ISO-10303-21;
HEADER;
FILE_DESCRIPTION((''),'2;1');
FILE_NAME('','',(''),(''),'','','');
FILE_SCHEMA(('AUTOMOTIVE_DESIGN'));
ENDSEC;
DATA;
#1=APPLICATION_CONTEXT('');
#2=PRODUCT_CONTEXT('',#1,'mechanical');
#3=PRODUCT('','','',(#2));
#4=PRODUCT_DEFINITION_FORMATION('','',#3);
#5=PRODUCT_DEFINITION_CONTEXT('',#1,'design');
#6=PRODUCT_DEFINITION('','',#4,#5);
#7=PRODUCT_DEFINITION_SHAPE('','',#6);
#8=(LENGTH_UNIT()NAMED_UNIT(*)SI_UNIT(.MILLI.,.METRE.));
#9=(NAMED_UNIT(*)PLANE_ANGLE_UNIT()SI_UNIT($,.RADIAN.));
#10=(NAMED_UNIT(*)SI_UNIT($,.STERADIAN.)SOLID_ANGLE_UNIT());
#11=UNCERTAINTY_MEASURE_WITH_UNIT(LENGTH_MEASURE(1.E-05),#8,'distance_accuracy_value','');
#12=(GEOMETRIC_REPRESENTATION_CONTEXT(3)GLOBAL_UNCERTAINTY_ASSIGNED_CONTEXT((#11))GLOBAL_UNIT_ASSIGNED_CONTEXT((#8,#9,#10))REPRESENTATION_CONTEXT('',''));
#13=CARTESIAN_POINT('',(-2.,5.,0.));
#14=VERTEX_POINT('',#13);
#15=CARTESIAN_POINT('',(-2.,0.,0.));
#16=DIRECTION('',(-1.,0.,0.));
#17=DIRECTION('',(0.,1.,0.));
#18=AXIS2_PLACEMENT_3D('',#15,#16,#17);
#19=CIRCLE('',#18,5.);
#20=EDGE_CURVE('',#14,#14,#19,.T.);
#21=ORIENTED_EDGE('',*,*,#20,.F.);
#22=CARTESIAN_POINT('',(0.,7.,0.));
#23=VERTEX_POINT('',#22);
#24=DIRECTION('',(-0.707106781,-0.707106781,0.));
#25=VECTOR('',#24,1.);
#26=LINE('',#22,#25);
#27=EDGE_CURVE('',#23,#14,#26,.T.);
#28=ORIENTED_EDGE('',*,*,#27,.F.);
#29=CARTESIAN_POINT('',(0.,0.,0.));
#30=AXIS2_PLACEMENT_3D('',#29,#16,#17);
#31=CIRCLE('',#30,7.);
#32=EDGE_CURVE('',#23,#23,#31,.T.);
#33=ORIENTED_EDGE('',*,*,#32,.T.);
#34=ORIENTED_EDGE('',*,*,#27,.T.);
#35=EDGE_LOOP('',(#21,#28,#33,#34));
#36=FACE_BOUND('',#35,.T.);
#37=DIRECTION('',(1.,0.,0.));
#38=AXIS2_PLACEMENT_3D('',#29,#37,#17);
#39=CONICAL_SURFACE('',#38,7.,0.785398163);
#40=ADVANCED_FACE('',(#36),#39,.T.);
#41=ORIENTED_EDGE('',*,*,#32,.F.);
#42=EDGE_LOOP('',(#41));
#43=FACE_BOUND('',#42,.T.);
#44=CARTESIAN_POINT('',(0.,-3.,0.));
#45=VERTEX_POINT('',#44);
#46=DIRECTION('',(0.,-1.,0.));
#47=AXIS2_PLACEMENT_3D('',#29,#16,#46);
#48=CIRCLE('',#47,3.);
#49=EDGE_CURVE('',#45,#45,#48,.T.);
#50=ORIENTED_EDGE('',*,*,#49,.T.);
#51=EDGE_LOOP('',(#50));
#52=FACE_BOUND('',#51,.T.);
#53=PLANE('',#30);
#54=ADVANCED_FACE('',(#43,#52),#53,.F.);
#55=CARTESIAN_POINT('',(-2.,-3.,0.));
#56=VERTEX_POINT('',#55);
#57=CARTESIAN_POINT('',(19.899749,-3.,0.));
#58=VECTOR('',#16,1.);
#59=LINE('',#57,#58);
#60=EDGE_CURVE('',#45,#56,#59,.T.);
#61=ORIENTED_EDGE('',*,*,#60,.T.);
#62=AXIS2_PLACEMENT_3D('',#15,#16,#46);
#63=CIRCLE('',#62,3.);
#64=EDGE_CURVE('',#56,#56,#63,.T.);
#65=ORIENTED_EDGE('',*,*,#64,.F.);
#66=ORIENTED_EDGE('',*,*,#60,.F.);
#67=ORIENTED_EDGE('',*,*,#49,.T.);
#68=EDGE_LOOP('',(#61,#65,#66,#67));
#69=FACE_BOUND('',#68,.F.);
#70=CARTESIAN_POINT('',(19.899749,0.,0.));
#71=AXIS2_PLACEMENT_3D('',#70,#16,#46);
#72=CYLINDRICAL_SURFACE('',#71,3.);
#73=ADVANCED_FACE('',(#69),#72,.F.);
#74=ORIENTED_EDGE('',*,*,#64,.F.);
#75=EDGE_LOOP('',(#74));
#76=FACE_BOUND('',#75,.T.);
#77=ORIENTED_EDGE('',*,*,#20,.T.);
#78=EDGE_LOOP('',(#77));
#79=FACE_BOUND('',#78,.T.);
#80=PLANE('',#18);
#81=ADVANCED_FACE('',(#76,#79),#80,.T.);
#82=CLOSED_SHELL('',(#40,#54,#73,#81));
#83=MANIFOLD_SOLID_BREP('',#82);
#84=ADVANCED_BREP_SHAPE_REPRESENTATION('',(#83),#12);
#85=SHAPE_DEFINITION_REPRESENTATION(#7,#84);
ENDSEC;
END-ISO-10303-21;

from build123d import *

# Parameters (mm, degrees)
F3_D = 6


with BuildPart() as f1:
    # F0 (on Top) → F1 (revolve)
    with BuildSketch(Plane.XY):
        Polygon((-2, 0), (0, 0), (0, 7), (-2, 5), align=None)
    revolve(axis=Axis((-1, 0, 0), (-1, 0, 0)))

    # F3 (through all)
    with Locations(Plane.YZ):
        with Locations((0, 0)):
            Hole(F3_D / 2)


solid = f1.part
